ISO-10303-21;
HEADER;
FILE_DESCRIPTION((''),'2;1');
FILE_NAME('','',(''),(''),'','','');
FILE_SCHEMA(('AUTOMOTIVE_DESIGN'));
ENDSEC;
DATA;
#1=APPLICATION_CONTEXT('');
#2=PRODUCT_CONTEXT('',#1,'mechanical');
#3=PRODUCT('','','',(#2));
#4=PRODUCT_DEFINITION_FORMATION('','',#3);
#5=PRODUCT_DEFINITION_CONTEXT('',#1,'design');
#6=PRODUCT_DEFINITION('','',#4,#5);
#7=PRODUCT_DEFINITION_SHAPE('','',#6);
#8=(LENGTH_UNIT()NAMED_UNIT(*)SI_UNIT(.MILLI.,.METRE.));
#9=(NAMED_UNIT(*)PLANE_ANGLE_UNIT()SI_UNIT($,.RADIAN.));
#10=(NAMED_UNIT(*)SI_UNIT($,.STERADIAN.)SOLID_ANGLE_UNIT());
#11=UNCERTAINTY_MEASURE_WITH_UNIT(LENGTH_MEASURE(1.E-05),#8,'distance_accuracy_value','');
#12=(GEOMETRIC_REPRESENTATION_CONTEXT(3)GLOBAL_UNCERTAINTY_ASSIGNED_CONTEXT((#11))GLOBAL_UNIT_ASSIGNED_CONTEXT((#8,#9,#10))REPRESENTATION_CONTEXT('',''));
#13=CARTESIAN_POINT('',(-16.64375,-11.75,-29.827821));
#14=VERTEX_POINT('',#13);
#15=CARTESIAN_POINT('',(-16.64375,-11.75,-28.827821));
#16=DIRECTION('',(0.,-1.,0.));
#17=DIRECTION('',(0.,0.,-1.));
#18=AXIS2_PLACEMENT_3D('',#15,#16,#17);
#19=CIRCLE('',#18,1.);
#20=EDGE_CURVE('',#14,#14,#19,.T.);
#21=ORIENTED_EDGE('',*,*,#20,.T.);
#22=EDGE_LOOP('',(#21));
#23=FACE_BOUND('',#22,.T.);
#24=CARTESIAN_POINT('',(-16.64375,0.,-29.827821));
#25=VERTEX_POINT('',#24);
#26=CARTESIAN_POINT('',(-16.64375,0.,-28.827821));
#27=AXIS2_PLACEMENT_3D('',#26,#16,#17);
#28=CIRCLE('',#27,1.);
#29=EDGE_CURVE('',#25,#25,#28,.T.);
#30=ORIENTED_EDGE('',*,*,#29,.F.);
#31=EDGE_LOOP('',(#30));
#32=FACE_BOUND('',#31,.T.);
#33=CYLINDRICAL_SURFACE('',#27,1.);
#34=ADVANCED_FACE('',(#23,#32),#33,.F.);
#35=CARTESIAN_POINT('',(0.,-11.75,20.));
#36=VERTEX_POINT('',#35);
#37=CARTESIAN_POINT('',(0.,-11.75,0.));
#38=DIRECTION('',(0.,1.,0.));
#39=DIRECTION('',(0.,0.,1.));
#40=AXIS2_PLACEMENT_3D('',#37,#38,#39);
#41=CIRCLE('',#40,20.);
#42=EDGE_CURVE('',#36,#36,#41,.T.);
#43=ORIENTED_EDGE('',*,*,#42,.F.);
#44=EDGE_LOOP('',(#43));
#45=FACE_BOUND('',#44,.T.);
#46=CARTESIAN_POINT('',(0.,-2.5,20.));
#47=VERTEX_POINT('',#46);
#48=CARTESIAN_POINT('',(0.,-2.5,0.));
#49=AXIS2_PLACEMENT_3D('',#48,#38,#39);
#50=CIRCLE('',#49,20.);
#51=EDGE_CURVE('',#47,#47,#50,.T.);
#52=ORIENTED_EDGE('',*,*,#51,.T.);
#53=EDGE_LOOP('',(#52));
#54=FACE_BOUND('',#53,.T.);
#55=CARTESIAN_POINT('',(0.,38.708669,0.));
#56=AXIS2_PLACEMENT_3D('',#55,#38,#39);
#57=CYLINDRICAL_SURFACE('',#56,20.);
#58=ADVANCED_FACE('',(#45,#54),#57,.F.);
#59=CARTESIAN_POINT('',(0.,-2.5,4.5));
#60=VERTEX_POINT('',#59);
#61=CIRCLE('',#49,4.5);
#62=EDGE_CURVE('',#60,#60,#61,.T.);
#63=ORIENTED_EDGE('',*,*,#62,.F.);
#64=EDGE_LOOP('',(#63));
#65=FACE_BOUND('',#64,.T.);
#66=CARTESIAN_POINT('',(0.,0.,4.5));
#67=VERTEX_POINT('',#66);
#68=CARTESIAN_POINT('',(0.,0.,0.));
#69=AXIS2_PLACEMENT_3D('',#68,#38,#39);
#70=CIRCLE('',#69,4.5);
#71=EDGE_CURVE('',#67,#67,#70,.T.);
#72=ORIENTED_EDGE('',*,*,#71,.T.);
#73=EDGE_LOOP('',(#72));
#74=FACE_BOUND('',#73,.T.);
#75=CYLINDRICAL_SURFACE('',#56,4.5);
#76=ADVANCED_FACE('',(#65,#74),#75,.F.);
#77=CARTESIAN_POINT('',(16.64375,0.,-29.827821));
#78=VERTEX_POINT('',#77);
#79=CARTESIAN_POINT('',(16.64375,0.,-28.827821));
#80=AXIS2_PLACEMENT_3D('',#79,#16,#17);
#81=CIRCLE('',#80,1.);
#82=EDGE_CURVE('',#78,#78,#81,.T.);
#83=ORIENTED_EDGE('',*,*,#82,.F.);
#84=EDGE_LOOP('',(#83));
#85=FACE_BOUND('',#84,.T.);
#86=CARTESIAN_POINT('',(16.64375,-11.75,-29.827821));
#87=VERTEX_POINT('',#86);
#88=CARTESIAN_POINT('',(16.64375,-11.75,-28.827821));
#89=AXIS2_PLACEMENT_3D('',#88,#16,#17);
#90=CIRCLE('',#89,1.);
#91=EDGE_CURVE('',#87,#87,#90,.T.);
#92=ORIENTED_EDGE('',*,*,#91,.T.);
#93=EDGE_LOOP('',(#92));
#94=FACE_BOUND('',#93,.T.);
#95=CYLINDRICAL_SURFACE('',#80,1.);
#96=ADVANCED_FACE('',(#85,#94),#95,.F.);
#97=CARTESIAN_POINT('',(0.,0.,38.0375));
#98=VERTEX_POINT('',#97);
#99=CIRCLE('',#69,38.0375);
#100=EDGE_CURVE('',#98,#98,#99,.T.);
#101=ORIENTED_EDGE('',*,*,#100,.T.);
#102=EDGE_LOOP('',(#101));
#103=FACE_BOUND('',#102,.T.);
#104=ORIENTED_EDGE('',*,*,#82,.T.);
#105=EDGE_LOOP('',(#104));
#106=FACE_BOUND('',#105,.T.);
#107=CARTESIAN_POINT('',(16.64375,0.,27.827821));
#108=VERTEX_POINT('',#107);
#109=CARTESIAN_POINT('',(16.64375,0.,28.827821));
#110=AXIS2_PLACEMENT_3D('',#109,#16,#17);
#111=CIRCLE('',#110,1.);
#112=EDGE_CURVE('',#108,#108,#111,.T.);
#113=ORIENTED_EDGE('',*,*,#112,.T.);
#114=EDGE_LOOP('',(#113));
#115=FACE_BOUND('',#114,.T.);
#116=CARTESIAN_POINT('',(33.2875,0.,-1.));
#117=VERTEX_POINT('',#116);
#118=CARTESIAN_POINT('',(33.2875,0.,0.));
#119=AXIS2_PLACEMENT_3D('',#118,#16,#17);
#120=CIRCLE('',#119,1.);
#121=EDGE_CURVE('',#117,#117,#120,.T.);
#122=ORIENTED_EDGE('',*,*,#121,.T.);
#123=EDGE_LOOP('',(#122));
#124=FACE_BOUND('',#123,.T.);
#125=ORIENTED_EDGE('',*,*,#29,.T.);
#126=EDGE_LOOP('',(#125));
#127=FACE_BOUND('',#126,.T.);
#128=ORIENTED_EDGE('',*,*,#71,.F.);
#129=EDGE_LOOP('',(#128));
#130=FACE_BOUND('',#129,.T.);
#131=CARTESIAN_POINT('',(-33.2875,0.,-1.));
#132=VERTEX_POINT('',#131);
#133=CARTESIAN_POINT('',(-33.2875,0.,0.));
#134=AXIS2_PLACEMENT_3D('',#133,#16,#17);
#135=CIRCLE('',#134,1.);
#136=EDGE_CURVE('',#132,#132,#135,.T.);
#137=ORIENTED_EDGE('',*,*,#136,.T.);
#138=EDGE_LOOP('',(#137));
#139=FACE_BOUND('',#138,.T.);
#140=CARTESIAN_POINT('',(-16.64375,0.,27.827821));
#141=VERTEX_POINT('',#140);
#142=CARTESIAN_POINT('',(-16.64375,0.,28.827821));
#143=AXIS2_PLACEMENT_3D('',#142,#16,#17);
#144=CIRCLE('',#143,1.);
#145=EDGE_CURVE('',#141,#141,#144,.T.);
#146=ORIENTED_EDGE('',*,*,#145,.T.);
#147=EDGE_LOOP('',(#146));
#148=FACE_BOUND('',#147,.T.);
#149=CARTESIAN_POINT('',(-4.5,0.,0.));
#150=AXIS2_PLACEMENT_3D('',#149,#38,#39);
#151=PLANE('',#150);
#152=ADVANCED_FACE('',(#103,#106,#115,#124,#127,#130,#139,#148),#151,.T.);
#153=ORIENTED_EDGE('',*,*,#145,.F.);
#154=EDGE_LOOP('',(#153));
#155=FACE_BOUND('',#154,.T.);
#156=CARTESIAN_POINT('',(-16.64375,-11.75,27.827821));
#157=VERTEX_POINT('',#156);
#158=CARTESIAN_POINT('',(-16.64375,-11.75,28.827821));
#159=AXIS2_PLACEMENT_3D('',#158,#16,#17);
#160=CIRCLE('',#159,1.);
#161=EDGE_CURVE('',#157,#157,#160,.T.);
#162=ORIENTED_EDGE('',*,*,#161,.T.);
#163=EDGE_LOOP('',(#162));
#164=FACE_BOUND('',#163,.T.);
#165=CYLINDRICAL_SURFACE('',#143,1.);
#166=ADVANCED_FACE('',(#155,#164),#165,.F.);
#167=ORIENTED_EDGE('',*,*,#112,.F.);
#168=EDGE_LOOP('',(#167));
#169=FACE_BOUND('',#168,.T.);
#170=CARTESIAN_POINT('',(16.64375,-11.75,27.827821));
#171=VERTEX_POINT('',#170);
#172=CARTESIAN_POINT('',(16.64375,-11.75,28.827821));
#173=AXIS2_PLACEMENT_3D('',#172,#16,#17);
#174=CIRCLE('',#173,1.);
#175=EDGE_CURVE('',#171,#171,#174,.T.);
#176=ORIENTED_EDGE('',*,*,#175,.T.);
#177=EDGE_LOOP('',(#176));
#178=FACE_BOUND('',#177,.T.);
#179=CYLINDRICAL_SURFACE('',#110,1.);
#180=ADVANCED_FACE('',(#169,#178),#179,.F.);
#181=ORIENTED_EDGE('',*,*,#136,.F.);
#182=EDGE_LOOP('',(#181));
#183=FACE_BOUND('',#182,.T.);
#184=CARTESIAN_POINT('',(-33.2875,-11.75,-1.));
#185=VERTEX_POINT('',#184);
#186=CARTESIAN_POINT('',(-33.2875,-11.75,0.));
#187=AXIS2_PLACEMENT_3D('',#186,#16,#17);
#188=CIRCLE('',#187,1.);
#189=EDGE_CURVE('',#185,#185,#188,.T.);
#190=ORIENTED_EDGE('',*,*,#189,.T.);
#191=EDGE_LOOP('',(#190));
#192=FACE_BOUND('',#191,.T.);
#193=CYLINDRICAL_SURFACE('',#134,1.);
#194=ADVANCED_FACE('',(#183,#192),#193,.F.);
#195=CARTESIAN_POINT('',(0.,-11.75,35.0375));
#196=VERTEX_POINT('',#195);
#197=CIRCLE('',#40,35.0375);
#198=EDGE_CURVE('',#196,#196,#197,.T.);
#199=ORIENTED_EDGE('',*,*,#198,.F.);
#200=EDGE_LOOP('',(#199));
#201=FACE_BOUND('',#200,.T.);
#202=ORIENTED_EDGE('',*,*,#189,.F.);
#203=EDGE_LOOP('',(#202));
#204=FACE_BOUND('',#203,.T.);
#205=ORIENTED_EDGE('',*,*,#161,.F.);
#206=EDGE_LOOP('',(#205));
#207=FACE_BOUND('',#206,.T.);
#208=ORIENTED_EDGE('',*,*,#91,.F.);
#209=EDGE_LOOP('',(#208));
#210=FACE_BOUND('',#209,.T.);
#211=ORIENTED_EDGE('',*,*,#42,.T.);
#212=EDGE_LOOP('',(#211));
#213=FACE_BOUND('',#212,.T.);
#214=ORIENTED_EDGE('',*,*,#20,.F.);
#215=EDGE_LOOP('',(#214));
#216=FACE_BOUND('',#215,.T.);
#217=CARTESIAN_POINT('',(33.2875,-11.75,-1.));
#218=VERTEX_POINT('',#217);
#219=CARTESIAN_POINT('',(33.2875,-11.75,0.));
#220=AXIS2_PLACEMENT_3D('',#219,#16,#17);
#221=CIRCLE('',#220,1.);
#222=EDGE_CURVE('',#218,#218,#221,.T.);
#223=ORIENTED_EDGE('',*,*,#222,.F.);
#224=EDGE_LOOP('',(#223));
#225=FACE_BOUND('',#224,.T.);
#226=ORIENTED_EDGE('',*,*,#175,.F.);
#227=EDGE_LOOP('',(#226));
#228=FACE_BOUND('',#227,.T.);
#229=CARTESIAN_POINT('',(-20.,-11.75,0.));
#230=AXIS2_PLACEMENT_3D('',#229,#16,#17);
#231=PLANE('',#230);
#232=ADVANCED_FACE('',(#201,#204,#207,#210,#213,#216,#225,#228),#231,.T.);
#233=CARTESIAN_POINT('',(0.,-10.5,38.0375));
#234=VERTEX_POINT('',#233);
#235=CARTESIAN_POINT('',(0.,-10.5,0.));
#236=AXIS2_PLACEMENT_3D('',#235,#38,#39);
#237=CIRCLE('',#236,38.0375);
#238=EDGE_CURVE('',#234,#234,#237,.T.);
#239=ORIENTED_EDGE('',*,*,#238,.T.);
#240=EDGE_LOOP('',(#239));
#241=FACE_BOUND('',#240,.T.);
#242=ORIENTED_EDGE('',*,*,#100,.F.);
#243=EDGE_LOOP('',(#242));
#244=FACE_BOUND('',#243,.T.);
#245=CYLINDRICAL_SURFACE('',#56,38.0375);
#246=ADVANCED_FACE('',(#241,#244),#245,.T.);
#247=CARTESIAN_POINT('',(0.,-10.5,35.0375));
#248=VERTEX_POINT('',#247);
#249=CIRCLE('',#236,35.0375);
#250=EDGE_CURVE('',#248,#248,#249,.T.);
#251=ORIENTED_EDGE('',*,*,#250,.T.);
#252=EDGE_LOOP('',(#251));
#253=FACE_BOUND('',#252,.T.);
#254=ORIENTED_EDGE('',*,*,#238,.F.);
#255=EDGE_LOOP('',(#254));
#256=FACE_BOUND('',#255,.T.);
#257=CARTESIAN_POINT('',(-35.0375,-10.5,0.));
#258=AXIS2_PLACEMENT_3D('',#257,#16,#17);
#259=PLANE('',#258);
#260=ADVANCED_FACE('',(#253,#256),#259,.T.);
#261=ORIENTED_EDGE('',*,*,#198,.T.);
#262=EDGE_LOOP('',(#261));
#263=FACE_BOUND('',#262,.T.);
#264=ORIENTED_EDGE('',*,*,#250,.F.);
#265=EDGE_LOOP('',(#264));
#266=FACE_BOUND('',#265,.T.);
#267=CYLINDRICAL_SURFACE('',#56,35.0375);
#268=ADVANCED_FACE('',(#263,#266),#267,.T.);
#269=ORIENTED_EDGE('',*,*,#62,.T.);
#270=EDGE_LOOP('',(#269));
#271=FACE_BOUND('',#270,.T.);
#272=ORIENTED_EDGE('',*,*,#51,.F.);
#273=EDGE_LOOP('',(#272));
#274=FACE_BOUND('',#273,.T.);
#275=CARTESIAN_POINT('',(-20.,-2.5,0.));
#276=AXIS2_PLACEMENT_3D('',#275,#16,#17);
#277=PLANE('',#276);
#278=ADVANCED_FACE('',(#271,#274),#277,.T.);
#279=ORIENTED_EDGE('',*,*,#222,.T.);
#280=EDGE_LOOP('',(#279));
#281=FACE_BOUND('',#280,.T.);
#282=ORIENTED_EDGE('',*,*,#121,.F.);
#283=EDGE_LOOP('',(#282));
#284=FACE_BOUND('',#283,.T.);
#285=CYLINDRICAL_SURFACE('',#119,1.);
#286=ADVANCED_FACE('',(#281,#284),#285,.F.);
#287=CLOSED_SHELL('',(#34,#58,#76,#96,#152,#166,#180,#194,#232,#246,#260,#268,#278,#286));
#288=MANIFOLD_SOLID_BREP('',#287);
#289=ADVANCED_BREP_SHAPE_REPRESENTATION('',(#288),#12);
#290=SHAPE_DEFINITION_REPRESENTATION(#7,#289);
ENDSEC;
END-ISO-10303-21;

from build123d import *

# Parameters (mm, degrees)
SKETCH2_R          = 1
CUT_EXTRUDE1_DEPTH = 56.061468492


with BuildPart() as part:
    # Sketch1 → Revolve1 (revolve)
    with BuildSketch(Plane.XY, mode=Mode.PRIVATE) as revolve1_sk:
        Polygon((-4.5, 0), (-38.0375, 0), (-38.0375, -10.5), (-35.0375, -10.5), (-35.0375, -11.75), (-20, -11.75), (-20, -2.5), (-4.5, -2.5), align=None)
    revolve(revolve1_sk.sketch.rotate(Axis((0, 38.708668819, 0), (0, -1, 0)), 270), axis=Axis((0, 38.708668819, 0), (0, -1, 0)))

    # Sketch2 → Cut-Extrude1 (cut, through all)
    with BuildSketch(Plane.XZ.offset(11.75)):
        with Locations(Location((-33.2875, 0, 0), (0, 0, 270))):
            Circle(SKETCH2_R)
        with Locations(Location((-16.64375, 28.827820628, 0), (0, 0, 270))):
            Circle(SKETCH2_R)
        with Locations(Location((16.64375, 28.827820628, 0), (0, 0, 270))):
            Circle(SKETCH2_R)
        with Locations(Location((33.2875, 0, 0), (0, 0, 270))):
            Circle(SKETCH2_R)
        with Locations(Location((16.64375, -28.827820628, 0), (0, 0, 270))):
            Circle(SKETCH2_R)
        with Locations(Location((-16.64375, -28.827820628, 0), (0, 0, 270))):
            Circle(SKETCH2_R)
    extrude(amount=-CUT_EXTRUDE1_DEPTH, mode=Mode.SUBTRACT)


solid = part.part
